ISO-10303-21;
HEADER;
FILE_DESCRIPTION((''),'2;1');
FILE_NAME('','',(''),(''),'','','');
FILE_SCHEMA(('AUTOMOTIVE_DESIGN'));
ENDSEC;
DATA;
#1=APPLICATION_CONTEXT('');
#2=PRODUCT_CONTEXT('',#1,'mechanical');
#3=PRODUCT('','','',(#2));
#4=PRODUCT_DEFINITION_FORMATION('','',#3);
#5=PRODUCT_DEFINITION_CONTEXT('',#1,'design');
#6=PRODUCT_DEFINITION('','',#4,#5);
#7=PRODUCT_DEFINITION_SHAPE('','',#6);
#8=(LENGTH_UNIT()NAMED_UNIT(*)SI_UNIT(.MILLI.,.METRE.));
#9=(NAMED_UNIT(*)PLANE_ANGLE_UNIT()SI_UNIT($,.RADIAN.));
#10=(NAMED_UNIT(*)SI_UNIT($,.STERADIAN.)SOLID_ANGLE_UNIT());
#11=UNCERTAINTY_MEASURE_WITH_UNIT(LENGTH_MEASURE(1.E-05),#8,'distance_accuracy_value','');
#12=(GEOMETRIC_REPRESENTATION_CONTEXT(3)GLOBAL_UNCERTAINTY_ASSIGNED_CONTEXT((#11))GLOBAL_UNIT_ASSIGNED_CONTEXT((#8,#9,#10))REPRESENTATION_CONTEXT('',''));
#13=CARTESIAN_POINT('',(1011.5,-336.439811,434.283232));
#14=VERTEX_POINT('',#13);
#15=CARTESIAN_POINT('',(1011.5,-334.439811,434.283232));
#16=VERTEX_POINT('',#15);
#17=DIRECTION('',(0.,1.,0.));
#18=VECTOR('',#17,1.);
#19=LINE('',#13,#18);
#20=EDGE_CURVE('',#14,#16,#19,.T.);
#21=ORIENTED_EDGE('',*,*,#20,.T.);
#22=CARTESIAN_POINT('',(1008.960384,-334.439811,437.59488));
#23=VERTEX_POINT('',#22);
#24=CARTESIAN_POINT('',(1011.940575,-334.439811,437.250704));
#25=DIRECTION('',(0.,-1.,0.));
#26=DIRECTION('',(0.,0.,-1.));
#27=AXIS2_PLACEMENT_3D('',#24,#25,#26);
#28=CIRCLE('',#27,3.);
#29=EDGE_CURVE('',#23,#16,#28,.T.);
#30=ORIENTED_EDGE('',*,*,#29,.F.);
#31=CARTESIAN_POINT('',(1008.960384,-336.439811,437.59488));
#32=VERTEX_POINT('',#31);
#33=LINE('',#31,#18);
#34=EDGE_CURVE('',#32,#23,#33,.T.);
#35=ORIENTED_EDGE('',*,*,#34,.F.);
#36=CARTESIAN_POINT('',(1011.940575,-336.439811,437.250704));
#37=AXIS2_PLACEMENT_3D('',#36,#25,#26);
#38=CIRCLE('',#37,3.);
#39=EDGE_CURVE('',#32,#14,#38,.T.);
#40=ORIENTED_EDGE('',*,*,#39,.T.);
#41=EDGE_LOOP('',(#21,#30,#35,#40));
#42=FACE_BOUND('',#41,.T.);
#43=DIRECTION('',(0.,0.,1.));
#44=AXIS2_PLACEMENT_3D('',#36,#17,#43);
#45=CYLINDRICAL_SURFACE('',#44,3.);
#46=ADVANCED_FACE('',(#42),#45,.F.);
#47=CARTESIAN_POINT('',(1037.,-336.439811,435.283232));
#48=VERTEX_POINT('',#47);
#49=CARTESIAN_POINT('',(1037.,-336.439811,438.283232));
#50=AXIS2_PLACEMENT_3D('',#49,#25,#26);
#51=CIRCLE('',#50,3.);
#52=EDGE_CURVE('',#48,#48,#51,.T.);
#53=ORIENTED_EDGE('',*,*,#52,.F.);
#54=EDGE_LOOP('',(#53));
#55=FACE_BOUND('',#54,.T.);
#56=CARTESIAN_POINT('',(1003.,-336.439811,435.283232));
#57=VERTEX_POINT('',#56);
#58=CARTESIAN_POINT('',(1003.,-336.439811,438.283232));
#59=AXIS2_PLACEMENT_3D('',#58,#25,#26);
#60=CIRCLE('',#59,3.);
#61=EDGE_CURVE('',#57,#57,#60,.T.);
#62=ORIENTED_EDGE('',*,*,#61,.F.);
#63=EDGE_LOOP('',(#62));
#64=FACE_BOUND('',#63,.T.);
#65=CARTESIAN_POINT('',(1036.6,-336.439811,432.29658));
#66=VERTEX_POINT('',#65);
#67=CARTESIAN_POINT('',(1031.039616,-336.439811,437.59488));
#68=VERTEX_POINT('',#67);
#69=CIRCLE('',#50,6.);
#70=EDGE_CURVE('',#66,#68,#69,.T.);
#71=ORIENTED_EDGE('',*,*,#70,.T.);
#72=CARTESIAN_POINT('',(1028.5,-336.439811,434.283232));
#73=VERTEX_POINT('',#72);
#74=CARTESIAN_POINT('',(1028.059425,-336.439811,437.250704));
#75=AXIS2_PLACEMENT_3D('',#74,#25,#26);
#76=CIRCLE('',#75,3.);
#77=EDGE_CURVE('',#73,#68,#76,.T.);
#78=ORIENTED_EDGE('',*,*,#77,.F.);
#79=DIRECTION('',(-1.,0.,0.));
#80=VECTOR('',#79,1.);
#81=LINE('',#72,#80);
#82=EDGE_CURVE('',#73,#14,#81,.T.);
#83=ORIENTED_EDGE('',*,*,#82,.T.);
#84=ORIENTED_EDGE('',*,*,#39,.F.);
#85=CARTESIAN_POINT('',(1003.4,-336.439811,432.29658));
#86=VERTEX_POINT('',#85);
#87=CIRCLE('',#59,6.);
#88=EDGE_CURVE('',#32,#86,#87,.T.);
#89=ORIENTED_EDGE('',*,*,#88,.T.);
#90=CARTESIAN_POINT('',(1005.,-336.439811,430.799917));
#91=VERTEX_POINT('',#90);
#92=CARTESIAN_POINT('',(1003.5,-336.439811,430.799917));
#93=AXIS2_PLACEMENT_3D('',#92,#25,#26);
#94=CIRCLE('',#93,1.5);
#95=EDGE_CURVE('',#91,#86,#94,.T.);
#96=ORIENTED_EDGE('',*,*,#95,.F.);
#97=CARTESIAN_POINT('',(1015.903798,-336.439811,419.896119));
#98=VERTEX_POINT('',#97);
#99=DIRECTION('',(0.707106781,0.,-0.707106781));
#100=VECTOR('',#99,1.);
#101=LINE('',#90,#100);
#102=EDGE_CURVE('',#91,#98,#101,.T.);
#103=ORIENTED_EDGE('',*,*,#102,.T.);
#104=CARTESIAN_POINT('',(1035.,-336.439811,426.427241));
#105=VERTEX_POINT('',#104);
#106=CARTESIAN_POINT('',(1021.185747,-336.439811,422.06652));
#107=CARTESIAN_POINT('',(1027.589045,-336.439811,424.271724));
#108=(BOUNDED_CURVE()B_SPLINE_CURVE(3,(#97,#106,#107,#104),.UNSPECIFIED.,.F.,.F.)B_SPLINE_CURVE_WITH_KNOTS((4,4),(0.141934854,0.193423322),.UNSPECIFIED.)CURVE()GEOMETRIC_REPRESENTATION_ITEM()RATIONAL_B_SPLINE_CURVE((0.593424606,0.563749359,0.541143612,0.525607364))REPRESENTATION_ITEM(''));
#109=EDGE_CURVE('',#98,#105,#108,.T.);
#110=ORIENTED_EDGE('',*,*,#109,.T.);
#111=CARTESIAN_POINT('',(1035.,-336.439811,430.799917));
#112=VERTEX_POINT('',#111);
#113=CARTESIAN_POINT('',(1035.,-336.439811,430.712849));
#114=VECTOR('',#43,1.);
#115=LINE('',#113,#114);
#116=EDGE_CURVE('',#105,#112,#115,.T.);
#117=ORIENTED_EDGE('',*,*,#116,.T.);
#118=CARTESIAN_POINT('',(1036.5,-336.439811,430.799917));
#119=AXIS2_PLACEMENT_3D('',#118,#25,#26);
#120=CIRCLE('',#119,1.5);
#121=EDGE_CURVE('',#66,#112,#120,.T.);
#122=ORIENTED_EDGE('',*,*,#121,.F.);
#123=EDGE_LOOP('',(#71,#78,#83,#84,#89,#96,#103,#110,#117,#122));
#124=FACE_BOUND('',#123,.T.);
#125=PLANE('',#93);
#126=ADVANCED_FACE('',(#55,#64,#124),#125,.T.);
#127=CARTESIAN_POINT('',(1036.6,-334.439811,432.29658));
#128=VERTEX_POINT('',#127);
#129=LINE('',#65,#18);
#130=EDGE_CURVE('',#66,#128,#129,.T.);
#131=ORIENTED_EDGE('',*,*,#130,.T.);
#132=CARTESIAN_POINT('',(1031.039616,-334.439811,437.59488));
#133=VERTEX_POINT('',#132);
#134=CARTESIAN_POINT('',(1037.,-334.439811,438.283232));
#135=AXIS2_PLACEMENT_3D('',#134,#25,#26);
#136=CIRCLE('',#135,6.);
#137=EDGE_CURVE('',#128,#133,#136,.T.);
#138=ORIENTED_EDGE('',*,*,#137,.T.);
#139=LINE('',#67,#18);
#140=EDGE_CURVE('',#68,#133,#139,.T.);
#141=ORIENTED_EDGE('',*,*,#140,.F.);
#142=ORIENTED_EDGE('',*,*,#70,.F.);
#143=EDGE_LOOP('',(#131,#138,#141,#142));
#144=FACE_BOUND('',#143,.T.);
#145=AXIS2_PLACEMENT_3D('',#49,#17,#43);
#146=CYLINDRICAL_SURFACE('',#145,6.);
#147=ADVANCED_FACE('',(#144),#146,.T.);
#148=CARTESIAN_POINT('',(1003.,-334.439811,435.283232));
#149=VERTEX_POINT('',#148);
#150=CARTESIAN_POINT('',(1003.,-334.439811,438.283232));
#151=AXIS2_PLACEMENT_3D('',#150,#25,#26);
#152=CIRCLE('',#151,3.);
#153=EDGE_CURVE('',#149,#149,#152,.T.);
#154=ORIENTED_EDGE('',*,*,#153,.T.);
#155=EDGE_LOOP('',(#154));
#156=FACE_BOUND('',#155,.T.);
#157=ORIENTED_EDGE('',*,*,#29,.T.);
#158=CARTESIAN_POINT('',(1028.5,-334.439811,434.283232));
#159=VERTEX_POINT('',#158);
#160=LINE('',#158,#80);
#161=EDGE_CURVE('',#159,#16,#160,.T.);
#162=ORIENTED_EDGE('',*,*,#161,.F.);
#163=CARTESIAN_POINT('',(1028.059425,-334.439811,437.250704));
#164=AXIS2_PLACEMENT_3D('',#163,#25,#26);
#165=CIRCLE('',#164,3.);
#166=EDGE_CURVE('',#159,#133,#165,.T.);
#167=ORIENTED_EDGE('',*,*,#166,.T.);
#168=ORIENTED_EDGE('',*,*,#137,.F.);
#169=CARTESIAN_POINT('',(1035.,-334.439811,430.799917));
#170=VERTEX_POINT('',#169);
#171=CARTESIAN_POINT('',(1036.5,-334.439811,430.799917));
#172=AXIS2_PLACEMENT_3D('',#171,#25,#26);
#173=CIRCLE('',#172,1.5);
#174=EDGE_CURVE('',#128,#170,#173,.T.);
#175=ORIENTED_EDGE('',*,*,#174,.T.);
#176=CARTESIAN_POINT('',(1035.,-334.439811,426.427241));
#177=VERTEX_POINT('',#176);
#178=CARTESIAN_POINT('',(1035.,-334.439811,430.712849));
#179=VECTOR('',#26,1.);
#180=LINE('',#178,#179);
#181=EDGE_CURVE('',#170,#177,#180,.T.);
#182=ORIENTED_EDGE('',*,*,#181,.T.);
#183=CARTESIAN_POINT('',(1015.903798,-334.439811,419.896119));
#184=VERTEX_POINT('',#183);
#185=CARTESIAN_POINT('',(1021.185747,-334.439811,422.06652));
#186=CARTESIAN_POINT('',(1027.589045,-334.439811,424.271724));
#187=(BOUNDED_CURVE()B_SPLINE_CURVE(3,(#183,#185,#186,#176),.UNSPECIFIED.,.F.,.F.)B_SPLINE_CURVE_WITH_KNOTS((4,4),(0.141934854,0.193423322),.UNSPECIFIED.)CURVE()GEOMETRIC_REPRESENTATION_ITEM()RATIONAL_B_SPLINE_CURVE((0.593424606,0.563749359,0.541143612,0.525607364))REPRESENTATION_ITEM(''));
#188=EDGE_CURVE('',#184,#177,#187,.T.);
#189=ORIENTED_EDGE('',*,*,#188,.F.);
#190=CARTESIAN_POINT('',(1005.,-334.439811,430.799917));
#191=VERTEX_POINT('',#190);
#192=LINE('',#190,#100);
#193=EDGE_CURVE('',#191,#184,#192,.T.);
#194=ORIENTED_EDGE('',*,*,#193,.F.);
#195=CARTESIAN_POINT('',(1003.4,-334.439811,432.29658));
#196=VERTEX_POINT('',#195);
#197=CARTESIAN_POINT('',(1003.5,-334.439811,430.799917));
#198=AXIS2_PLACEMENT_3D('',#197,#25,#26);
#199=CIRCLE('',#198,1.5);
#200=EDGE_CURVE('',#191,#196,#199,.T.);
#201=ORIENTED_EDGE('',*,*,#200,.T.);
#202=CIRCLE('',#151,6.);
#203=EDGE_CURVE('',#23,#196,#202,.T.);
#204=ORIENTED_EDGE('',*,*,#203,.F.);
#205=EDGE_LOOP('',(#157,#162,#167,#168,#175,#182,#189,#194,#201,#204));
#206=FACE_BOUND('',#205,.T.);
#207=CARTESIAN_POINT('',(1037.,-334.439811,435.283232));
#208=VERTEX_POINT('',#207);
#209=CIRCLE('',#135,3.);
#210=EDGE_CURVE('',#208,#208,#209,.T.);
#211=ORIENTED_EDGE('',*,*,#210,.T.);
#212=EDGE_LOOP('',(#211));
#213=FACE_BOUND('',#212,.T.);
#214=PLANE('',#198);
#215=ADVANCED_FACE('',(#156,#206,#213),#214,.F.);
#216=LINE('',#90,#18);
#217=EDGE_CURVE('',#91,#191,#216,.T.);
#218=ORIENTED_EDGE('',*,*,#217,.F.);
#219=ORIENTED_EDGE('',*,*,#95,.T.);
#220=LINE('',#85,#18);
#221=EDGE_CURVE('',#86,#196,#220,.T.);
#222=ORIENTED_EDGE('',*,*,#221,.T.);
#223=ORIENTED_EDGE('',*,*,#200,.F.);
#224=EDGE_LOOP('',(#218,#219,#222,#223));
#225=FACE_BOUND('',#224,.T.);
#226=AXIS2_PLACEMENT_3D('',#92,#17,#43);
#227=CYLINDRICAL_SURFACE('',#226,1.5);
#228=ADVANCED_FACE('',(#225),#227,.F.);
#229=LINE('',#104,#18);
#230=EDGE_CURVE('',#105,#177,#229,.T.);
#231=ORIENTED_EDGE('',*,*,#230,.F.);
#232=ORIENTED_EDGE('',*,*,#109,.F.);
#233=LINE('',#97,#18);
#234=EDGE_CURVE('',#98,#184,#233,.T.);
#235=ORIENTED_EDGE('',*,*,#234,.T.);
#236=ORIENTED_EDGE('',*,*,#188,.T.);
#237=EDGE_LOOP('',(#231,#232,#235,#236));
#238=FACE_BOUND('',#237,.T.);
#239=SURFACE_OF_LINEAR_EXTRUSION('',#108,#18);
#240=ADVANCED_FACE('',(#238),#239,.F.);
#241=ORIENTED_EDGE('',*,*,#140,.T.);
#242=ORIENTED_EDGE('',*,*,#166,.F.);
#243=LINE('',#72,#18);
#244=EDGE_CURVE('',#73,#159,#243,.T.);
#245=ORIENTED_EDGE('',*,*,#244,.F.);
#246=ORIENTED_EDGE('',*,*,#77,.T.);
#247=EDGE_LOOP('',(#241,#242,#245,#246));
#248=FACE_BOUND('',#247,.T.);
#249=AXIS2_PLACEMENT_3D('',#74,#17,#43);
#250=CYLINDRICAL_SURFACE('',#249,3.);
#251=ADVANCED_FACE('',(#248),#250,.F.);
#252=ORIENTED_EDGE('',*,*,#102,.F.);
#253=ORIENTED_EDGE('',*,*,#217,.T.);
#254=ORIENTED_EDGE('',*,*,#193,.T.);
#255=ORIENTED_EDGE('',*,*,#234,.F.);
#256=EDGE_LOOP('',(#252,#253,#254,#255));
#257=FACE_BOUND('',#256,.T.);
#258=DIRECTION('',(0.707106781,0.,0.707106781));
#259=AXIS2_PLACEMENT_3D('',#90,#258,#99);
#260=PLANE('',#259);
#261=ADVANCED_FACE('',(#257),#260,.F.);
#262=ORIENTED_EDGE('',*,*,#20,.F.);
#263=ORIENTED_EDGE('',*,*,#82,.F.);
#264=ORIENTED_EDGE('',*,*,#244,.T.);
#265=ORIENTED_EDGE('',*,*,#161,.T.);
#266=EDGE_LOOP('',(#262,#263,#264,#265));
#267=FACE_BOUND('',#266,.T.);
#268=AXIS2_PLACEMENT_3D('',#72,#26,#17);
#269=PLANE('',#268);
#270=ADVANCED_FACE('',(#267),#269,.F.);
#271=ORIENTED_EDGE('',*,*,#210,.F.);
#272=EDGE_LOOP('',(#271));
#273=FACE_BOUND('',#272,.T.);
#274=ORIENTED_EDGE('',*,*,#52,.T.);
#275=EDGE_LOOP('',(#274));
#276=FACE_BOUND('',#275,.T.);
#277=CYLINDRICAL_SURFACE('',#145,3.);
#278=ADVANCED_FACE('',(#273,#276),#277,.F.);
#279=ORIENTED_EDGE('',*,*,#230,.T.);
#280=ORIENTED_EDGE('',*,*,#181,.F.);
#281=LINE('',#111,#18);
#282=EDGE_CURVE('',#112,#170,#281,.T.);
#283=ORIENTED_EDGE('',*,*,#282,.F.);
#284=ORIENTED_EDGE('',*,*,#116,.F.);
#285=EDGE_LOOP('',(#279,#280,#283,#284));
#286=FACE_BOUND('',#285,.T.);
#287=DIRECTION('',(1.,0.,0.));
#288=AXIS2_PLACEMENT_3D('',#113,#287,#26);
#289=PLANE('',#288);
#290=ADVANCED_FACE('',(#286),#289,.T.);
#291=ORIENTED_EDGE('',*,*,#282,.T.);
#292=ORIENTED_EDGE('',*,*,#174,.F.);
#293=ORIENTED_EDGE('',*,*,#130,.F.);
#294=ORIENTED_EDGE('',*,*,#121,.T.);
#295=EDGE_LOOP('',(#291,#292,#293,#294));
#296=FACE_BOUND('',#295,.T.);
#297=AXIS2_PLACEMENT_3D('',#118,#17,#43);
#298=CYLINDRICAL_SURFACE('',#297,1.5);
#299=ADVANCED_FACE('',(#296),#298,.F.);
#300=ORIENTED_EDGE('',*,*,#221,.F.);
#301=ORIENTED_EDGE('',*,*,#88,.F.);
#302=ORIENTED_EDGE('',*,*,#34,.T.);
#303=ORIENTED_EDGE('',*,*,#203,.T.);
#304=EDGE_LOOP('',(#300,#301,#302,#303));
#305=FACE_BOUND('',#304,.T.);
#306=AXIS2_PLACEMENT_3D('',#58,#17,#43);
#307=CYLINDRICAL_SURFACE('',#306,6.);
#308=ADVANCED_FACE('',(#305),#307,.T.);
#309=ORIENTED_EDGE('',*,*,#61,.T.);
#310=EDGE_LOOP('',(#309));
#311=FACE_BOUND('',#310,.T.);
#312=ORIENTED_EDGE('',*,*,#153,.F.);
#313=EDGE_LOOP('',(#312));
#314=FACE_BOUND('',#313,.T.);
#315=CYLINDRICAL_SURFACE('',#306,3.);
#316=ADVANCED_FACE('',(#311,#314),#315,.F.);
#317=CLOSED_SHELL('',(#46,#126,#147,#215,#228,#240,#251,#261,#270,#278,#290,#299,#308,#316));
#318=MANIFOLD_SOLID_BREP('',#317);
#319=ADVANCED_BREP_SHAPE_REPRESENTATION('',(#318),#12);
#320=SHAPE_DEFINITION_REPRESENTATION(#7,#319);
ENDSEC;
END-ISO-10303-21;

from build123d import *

# Parameters (mm, degrees)
SZKIC1_R                    = 3
DODANIE_WYCI_GNI_CIE1_DEPTH = 2


with BuildPart() as part:
    # Szkic1 → Dodanie-wyciągnięcie1 (new body)
    with BuildSketch(Plane.XZ.offset(334.439810961)):
        with BuildLine():
            ThreePointArc((1003.4, 432.296579888), (1004.524695077, 431.895362049), (1005, 430.799916934))
            Line((1005, 430.799916934), (1015.903797979, 419.896118954))
            add(Edge.make_bspline(
                [(1015.903797979, 419.896118954), (1021.185746723, 422.066519939), (1027.589044834, 424.271723988), (1035, 426.42724062)],
                knots=[0.141934854, 0.141934854, 0.141934854, 0.141934854, 0.193423322, 0.193423322, 0.193423322, 0.193423322], degree=3, weights=[0.593424606, 0.563749359, 0.541143612, 0.525607364]))
            Line((1035, 426.42724062), (1035, 430.799916934))
            ThreePointArc((1035, 430.799916934), (1035.475304923, 431.895362049), (1036.6, 432.296579888))
            ThreePointArc((1036.6, 432.296579888), (1041.13903563, 442.62700703), (1031.039616452, 437.59488008))
            ThreePointArc((1031.039616452, 437.59488008), (1030.440005619, 435.425099056), (1028.5, 434.283231707))
            Line((1028.5, 434.283231707), (1011.5, 434.283231707))
            ThreePointArc((1011.5, 434.283231707), (1009.559994381, 435.425099056), (1008.960383548, 437.59488008))
            ThreePointArc((1008.960383548, 437.59488008), (998.86096437, 442.62700703), (1003.4, 432.296579888))
        make_face()
        with Locations((1003, 438.283231707)):
            Circle(SZKIC1_R, mode=Mode.SUBTRACT)
        with Locations((1037, 438.283231707)):
            Circle(SZKIC1_R, mode=Mode.SUBTRACT)
    extrude(amount=DODANIE_WYCI_GNI_CIE1_DEPTH)


solid = part.part
